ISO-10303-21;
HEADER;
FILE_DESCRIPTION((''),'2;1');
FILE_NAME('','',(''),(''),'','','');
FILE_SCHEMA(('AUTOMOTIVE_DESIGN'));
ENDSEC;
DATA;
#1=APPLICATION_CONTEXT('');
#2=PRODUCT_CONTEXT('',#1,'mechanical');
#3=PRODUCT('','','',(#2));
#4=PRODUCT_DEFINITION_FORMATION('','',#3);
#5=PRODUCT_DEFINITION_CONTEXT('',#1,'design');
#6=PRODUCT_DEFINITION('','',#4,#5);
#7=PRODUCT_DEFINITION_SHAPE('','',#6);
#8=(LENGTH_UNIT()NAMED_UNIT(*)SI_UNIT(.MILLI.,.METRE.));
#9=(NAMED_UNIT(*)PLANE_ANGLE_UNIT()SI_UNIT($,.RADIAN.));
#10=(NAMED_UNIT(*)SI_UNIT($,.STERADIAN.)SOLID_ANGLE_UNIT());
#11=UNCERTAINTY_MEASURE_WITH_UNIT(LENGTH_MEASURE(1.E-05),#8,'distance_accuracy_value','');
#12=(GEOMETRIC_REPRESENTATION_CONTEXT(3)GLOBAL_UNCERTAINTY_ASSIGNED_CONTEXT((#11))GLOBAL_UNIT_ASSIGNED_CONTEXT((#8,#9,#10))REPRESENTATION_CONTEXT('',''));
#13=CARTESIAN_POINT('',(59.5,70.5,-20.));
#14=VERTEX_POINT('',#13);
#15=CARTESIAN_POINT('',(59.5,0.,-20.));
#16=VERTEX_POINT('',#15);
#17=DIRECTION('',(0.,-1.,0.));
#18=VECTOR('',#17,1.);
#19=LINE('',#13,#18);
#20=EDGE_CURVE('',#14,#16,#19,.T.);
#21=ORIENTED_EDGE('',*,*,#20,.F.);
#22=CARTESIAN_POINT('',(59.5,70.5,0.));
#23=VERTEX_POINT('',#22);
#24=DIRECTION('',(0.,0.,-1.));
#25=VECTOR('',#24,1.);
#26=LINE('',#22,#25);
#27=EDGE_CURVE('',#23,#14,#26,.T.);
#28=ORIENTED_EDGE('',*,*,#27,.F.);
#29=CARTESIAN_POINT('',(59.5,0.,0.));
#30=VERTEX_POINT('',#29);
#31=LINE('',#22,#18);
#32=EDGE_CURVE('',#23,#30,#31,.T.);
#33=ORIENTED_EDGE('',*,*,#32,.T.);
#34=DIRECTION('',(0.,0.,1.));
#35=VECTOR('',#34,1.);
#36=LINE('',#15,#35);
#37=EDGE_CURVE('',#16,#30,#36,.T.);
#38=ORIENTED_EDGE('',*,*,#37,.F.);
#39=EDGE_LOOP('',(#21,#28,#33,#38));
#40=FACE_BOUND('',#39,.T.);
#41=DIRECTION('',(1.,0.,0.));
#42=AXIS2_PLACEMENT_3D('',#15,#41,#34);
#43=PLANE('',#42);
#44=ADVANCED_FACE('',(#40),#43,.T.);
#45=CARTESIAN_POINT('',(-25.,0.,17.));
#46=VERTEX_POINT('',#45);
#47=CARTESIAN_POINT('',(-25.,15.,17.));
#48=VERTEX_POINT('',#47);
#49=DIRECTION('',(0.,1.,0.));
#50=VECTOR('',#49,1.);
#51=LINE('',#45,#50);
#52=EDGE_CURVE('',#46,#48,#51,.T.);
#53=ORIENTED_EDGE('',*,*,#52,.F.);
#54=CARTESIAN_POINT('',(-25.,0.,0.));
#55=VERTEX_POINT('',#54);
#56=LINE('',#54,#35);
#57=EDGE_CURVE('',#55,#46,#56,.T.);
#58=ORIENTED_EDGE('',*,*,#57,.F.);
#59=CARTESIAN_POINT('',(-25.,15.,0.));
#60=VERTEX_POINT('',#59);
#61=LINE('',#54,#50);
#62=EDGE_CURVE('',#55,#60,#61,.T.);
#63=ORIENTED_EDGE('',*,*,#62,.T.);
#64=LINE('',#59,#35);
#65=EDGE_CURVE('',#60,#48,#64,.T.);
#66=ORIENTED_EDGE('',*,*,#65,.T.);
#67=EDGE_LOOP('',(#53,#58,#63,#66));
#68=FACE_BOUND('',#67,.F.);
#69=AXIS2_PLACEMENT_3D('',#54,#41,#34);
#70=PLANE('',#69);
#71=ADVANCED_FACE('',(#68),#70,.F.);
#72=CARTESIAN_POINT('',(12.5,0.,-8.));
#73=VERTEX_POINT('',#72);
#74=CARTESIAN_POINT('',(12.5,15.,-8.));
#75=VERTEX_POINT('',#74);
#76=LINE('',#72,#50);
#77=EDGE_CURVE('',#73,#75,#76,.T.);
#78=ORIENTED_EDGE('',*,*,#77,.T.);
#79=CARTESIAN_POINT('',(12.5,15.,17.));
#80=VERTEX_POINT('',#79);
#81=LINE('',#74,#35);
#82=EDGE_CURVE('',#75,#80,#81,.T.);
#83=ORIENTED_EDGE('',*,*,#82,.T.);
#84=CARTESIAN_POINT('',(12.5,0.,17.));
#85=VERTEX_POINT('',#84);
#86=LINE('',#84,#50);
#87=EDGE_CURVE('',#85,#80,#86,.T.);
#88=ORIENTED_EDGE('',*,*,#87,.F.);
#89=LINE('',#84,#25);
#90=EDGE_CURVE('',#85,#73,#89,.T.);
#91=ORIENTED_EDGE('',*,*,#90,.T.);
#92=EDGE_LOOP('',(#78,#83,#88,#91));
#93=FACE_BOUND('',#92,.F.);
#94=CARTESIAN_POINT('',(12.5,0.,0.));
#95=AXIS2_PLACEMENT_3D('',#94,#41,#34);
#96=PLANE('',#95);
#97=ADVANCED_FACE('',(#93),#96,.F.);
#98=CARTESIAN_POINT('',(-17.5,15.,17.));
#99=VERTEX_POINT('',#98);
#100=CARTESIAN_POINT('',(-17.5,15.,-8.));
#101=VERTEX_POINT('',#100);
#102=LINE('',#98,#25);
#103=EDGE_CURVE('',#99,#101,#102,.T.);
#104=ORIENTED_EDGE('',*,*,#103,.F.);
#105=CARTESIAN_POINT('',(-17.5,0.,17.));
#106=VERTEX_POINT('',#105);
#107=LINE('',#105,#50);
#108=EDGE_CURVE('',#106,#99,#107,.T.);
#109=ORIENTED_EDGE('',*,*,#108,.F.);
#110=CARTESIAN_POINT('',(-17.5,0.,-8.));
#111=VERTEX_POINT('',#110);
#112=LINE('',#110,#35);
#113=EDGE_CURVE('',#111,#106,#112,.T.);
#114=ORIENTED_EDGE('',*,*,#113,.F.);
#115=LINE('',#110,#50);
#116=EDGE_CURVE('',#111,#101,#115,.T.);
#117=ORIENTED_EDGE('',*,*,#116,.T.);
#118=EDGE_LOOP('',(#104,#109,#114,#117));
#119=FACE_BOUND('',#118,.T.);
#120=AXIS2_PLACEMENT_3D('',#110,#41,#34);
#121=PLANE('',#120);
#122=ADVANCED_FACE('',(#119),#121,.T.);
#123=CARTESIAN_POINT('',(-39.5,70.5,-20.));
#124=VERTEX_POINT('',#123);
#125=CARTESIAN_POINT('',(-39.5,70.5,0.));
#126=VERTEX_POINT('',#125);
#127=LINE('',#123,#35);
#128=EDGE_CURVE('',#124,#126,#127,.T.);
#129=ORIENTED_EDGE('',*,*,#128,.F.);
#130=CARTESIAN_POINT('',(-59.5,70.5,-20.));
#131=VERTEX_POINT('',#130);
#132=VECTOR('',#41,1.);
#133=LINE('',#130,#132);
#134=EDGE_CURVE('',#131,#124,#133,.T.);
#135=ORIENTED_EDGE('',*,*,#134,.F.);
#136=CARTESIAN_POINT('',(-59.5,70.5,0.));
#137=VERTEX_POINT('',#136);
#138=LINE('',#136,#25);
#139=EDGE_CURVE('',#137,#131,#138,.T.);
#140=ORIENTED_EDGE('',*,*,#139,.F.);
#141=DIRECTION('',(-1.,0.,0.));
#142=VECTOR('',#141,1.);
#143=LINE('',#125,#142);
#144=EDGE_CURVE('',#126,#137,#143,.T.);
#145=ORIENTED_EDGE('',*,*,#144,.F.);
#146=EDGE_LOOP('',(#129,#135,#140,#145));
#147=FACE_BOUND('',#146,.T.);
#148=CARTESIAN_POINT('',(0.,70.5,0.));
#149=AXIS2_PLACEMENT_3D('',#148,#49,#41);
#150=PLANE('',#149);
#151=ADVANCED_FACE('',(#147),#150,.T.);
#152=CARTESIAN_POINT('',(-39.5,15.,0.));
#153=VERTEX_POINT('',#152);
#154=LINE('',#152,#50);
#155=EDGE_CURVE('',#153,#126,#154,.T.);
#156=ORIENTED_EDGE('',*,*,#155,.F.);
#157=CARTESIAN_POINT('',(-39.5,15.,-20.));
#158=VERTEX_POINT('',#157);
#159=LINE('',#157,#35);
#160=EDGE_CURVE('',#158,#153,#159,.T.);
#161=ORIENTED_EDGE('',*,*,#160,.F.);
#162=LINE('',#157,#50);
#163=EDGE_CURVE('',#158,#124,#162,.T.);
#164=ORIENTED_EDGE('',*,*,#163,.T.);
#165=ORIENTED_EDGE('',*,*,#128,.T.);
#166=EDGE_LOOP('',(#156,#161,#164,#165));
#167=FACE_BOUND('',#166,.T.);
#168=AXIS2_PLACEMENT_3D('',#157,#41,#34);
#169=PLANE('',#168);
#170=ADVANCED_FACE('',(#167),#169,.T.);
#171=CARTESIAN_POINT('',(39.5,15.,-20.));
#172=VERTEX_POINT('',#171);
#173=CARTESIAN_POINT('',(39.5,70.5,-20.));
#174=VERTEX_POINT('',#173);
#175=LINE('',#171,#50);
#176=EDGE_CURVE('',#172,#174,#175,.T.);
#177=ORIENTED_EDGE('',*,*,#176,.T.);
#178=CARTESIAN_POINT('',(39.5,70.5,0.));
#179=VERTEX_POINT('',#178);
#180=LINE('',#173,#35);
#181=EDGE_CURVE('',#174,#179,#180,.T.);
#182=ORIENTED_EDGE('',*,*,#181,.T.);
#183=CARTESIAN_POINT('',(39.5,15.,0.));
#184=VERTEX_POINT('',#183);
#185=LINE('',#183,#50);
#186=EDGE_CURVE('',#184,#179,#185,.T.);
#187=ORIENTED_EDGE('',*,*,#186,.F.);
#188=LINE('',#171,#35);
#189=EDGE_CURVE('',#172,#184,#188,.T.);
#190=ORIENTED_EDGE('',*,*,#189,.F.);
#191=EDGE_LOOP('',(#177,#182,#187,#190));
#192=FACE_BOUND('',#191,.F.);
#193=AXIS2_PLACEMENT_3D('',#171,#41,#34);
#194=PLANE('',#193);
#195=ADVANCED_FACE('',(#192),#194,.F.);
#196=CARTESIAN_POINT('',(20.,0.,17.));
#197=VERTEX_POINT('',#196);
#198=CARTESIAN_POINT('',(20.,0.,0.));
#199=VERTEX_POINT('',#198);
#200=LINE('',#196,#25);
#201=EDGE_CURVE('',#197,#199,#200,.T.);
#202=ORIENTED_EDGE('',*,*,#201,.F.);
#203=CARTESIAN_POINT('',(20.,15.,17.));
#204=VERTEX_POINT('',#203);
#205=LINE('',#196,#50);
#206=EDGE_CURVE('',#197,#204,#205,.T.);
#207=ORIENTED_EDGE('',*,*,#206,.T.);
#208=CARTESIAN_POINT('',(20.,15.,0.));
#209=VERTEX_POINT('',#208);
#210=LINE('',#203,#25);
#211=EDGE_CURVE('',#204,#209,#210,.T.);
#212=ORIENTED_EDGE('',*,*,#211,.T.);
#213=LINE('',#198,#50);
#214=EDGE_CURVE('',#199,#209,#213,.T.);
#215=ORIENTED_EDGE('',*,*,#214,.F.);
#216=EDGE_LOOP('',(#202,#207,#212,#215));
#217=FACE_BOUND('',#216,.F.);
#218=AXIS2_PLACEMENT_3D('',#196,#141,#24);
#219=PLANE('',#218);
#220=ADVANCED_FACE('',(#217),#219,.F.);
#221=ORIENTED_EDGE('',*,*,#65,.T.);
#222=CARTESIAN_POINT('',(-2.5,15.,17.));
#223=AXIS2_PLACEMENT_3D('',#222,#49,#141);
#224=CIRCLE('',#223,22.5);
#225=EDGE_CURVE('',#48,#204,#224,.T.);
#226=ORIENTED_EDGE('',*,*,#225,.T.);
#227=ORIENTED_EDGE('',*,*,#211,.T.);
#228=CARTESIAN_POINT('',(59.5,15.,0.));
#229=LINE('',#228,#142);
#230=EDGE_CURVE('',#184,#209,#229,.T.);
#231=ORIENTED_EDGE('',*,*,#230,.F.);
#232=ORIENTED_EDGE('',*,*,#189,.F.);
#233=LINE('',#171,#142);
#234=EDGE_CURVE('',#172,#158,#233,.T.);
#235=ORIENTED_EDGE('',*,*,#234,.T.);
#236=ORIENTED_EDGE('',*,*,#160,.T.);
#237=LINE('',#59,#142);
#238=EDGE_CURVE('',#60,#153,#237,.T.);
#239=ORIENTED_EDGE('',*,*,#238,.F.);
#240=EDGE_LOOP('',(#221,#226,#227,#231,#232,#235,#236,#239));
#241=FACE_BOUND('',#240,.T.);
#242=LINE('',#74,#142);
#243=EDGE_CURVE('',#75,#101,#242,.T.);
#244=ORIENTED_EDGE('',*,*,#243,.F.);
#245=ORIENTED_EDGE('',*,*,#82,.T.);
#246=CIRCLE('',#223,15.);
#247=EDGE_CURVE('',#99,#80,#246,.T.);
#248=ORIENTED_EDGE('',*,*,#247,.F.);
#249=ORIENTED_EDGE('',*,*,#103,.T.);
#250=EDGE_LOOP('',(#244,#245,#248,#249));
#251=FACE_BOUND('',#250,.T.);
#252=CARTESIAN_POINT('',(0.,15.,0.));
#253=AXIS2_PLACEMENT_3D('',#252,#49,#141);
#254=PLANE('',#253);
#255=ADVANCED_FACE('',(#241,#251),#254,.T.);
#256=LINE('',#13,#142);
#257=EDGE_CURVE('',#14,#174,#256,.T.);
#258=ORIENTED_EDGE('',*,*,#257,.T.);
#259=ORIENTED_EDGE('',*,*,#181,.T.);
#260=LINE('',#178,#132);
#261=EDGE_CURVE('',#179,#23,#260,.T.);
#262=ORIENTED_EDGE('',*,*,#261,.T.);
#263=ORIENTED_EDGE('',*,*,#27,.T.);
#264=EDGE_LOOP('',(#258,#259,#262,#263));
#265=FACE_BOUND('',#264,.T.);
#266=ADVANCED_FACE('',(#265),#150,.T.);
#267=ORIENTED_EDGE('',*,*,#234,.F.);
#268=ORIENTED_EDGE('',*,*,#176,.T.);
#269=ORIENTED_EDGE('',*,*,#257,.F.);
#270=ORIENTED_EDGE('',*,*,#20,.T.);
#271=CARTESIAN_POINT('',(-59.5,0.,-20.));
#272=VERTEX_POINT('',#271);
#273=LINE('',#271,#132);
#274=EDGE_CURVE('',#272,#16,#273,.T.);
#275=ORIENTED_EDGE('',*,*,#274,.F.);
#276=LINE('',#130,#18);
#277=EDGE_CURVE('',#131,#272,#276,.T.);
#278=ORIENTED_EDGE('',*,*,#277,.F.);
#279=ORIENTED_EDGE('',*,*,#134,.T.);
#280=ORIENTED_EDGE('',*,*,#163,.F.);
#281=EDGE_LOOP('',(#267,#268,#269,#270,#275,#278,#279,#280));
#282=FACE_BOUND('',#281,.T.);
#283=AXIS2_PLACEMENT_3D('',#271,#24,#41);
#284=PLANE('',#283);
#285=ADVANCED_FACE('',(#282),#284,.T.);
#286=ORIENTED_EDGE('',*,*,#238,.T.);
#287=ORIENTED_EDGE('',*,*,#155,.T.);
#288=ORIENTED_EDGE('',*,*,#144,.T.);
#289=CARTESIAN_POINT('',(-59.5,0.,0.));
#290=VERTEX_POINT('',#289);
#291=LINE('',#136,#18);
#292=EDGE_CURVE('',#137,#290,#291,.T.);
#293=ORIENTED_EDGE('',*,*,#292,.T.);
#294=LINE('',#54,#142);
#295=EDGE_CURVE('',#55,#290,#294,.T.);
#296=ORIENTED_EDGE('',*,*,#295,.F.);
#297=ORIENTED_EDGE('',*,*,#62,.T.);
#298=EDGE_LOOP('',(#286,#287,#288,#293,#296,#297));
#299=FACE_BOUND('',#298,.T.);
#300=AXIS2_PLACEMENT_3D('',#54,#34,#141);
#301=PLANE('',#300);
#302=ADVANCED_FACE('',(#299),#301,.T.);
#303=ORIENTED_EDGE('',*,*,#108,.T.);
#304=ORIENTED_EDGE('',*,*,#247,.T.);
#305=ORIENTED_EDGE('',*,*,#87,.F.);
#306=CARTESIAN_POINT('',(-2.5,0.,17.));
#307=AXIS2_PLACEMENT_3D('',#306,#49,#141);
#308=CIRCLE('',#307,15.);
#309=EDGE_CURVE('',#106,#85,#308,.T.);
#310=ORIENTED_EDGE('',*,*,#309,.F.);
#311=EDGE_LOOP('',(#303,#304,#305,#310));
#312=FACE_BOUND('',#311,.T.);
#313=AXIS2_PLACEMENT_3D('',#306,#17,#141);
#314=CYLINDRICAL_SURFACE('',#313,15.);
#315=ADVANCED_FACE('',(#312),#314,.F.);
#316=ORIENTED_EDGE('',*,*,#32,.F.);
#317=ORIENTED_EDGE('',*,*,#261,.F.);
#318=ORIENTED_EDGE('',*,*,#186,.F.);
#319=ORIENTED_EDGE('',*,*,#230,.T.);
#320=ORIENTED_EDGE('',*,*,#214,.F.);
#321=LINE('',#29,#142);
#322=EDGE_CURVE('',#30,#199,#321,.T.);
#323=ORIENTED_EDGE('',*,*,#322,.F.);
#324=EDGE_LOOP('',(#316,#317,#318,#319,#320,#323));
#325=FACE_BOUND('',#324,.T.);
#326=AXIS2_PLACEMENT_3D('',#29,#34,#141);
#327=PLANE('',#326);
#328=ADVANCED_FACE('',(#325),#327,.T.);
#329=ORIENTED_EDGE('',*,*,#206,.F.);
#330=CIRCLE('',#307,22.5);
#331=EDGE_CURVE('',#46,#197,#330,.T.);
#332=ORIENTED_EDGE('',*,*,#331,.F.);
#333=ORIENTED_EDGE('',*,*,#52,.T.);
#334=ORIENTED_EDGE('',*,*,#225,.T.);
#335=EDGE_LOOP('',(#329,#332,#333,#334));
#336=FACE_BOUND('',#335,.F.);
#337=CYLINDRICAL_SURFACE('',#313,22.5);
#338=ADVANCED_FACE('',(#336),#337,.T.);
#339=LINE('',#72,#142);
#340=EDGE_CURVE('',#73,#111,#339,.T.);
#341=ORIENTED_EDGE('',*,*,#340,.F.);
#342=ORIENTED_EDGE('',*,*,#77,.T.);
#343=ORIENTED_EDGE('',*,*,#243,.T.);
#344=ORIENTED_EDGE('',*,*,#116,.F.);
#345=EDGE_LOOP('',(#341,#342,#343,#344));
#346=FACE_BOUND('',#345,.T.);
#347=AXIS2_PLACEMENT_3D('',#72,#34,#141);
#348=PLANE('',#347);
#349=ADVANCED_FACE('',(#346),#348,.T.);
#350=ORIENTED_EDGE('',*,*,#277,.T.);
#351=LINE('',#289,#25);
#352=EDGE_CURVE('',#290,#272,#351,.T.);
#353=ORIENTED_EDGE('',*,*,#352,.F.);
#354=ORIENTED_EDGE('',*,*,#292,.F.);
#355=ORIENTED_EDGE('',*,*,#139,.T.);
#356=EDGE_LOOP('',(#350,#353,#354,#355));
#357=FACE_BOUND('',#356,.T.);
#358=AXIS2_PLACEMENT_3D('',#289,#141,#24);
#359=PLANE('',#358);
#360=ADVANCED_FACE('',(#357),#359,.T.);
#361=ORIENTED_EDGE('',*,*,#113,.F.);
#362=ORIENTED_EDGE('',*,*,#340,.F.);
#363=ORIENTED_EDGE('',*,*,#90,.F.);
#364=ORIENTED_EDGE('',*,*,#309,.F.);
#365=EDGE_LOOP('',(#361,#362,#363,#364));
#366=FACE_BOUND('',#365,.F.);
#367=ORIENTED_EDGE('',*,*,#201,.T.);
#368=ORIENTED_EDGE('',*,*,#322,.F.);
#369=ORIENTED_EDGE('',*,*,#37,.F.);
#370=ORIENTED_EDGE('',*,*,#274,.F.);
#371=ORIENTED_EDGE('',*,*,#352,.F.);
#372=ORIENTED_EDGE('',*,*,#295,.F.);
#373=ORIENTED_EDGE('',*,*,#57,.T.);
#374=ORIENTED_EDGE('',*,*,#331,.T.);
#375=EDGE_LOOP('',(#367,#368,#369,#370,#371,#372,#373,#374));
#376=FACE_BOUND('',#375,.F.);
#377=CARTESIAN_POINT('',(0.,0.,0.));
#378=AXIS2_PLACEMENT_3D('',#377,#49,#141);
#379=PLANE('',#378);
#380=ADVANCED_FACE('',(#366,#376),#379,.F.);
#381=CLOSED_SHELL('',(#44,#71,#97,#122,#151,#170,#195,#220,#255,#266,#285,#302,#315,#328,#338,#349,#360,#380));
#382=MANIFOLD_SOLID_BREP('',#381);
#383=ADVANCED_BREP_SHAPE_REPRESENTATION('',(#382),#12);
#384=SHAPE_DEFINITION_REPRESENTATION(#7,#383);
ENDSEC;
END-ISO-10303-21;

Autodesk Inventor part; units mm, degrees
ref_plane "YZ Plane" through (0, 0, 0) normal (1, 0, 0) x (0, 1, 0)
ref_plane "XZ Plane" through (0, 0, 0) normal (0, 1, 0) x (-1, 0, 0)
ref_plane "XY Plane" through (0, 0, 0) normal (0, 0, 1) x (1, 0, 0)
sketch "스케치1" plane through (0, 0, 0) normal (0, 1, 0) x (-1, 0, 0)
  arc A0 (25, 17) -> (-20, 17) centre (2.5, 17) ccw
  arc A1 (17.5, 17) -> (-12.5, 17) centre (2.5, 17) ccw
  line L0 (17.5, 17) -> (-12.5, 17)
  line L1 (-20, 17) -> (-20, 0)
  line L2 (-20, -20) -> (25, -20)
  line L3 (25, 0) -> (25, 17)
  line L4 (-12.5, 17) -> (17.5, 17)
  line L5 (17.5, 17) -> (17.5, 0)
  line L6 (17.5, 0) -> (-12.5, 0)
  line L7 (-12.5, 0) -> (-12.5, 17)
  line L8 (59.5, -20) -> (-59.5, -20)
  line L9 (-59.5, -20) -> (-59.5, 0)
  line L10 (59.5, 0) -> (59.5, -20)
  line L11 (25, 0) -> (59.5, 0)
  line L12 (-59.5, 0) -> (-20, 0)
  line L13 (-12.5, 0) -> (17.5, 0)
  line L14 (17.5, 0) -> (-12.5, 0)
  line L15 (-12.5, 0) -> (-12.5, -8)
  line L16 (-12.5, -8) -> (17.5, -8)
  line L17 (17.5, -8) -> (17.5, 0)
  point P0 (0, 0)
  point P1 (0, 17)
  point P2 (-59.5, -10)
  dimension "d1" = 30
  dimension "d2" = 45
  dimension "d3" = 0
  dimension "d4" = 17
  dimension "d5" = 37
  dimension "d6" = 119
  dimension "d10" = 20
  dimension "d11" = 22.5
  dimension "d12" = 0
  dimension "d13" = 59.5
  dimension "d14" = 8
  dimension "d15" = 39.5
extrude "돌출1" add sketch "스케치1" along normal blind 15
sketch "스케치2" plane through (0, 15, 0) normal (0, 1, 0) x (1, 0, 0)
  point P0 (0, 0)
sketch "스케치3" plane through (0, 15, 0) normal (0, 1, 0) x (1, 0, 0)
  line L0 (-39.5, 0) -> (-59.5, 0)
  line L1 (-59.5, 0) -> (-59.5, 20)
  line L2 (-59.5, 20) -> (-39.5, 20)
  line L3 (-39.5, 20) -> (-39.5, 0)
  line L4 (-39.5, 0) -> (-59.5, 20) construction
  line L5 (-59.5, 0) -> (-39.5, 20) construction
  line L6 (-59.5, 20) -> (-59.5, 0) projected
  line L7 (-59.5, 0) -> (-25, 0) projected
  line L8 (0, 0) -> (0, 5.3551)
  line L9 (39.5, 0) -> (59.5, 0)
  line L10 (59.5, 0) -> (59.5, 20)
  line L11 (59.5, 20) -> (39.5, 20)
  line L12 (39.5, 20) -> (39.5, 0)
  line L13 (39.5, 0) -> (59.5, 20) construction
  line L14 (59.5, 0) -> (39.5, 20) construction
  line L15 (59.5, 20) -> (59.5, 0)
  line L16 (59.5, 0) -> (25, 0)
  point P0 (-49.5, 10)
  point P1 (-49.5, 0)
  point P2 (49.5, 10)
  point P3 (49.5, 0)
  dimension "d16" = 20
  dimension "d17" = 20
  dimension "d18" = 0
  dimension "d19" = 0
extrude "돌출2" add sketch "스케치3" along normal blind 55.5
equation "\"d13\" = 0.5 * d6"
properties part number "액추에이터 지지대 3D 프린트"
